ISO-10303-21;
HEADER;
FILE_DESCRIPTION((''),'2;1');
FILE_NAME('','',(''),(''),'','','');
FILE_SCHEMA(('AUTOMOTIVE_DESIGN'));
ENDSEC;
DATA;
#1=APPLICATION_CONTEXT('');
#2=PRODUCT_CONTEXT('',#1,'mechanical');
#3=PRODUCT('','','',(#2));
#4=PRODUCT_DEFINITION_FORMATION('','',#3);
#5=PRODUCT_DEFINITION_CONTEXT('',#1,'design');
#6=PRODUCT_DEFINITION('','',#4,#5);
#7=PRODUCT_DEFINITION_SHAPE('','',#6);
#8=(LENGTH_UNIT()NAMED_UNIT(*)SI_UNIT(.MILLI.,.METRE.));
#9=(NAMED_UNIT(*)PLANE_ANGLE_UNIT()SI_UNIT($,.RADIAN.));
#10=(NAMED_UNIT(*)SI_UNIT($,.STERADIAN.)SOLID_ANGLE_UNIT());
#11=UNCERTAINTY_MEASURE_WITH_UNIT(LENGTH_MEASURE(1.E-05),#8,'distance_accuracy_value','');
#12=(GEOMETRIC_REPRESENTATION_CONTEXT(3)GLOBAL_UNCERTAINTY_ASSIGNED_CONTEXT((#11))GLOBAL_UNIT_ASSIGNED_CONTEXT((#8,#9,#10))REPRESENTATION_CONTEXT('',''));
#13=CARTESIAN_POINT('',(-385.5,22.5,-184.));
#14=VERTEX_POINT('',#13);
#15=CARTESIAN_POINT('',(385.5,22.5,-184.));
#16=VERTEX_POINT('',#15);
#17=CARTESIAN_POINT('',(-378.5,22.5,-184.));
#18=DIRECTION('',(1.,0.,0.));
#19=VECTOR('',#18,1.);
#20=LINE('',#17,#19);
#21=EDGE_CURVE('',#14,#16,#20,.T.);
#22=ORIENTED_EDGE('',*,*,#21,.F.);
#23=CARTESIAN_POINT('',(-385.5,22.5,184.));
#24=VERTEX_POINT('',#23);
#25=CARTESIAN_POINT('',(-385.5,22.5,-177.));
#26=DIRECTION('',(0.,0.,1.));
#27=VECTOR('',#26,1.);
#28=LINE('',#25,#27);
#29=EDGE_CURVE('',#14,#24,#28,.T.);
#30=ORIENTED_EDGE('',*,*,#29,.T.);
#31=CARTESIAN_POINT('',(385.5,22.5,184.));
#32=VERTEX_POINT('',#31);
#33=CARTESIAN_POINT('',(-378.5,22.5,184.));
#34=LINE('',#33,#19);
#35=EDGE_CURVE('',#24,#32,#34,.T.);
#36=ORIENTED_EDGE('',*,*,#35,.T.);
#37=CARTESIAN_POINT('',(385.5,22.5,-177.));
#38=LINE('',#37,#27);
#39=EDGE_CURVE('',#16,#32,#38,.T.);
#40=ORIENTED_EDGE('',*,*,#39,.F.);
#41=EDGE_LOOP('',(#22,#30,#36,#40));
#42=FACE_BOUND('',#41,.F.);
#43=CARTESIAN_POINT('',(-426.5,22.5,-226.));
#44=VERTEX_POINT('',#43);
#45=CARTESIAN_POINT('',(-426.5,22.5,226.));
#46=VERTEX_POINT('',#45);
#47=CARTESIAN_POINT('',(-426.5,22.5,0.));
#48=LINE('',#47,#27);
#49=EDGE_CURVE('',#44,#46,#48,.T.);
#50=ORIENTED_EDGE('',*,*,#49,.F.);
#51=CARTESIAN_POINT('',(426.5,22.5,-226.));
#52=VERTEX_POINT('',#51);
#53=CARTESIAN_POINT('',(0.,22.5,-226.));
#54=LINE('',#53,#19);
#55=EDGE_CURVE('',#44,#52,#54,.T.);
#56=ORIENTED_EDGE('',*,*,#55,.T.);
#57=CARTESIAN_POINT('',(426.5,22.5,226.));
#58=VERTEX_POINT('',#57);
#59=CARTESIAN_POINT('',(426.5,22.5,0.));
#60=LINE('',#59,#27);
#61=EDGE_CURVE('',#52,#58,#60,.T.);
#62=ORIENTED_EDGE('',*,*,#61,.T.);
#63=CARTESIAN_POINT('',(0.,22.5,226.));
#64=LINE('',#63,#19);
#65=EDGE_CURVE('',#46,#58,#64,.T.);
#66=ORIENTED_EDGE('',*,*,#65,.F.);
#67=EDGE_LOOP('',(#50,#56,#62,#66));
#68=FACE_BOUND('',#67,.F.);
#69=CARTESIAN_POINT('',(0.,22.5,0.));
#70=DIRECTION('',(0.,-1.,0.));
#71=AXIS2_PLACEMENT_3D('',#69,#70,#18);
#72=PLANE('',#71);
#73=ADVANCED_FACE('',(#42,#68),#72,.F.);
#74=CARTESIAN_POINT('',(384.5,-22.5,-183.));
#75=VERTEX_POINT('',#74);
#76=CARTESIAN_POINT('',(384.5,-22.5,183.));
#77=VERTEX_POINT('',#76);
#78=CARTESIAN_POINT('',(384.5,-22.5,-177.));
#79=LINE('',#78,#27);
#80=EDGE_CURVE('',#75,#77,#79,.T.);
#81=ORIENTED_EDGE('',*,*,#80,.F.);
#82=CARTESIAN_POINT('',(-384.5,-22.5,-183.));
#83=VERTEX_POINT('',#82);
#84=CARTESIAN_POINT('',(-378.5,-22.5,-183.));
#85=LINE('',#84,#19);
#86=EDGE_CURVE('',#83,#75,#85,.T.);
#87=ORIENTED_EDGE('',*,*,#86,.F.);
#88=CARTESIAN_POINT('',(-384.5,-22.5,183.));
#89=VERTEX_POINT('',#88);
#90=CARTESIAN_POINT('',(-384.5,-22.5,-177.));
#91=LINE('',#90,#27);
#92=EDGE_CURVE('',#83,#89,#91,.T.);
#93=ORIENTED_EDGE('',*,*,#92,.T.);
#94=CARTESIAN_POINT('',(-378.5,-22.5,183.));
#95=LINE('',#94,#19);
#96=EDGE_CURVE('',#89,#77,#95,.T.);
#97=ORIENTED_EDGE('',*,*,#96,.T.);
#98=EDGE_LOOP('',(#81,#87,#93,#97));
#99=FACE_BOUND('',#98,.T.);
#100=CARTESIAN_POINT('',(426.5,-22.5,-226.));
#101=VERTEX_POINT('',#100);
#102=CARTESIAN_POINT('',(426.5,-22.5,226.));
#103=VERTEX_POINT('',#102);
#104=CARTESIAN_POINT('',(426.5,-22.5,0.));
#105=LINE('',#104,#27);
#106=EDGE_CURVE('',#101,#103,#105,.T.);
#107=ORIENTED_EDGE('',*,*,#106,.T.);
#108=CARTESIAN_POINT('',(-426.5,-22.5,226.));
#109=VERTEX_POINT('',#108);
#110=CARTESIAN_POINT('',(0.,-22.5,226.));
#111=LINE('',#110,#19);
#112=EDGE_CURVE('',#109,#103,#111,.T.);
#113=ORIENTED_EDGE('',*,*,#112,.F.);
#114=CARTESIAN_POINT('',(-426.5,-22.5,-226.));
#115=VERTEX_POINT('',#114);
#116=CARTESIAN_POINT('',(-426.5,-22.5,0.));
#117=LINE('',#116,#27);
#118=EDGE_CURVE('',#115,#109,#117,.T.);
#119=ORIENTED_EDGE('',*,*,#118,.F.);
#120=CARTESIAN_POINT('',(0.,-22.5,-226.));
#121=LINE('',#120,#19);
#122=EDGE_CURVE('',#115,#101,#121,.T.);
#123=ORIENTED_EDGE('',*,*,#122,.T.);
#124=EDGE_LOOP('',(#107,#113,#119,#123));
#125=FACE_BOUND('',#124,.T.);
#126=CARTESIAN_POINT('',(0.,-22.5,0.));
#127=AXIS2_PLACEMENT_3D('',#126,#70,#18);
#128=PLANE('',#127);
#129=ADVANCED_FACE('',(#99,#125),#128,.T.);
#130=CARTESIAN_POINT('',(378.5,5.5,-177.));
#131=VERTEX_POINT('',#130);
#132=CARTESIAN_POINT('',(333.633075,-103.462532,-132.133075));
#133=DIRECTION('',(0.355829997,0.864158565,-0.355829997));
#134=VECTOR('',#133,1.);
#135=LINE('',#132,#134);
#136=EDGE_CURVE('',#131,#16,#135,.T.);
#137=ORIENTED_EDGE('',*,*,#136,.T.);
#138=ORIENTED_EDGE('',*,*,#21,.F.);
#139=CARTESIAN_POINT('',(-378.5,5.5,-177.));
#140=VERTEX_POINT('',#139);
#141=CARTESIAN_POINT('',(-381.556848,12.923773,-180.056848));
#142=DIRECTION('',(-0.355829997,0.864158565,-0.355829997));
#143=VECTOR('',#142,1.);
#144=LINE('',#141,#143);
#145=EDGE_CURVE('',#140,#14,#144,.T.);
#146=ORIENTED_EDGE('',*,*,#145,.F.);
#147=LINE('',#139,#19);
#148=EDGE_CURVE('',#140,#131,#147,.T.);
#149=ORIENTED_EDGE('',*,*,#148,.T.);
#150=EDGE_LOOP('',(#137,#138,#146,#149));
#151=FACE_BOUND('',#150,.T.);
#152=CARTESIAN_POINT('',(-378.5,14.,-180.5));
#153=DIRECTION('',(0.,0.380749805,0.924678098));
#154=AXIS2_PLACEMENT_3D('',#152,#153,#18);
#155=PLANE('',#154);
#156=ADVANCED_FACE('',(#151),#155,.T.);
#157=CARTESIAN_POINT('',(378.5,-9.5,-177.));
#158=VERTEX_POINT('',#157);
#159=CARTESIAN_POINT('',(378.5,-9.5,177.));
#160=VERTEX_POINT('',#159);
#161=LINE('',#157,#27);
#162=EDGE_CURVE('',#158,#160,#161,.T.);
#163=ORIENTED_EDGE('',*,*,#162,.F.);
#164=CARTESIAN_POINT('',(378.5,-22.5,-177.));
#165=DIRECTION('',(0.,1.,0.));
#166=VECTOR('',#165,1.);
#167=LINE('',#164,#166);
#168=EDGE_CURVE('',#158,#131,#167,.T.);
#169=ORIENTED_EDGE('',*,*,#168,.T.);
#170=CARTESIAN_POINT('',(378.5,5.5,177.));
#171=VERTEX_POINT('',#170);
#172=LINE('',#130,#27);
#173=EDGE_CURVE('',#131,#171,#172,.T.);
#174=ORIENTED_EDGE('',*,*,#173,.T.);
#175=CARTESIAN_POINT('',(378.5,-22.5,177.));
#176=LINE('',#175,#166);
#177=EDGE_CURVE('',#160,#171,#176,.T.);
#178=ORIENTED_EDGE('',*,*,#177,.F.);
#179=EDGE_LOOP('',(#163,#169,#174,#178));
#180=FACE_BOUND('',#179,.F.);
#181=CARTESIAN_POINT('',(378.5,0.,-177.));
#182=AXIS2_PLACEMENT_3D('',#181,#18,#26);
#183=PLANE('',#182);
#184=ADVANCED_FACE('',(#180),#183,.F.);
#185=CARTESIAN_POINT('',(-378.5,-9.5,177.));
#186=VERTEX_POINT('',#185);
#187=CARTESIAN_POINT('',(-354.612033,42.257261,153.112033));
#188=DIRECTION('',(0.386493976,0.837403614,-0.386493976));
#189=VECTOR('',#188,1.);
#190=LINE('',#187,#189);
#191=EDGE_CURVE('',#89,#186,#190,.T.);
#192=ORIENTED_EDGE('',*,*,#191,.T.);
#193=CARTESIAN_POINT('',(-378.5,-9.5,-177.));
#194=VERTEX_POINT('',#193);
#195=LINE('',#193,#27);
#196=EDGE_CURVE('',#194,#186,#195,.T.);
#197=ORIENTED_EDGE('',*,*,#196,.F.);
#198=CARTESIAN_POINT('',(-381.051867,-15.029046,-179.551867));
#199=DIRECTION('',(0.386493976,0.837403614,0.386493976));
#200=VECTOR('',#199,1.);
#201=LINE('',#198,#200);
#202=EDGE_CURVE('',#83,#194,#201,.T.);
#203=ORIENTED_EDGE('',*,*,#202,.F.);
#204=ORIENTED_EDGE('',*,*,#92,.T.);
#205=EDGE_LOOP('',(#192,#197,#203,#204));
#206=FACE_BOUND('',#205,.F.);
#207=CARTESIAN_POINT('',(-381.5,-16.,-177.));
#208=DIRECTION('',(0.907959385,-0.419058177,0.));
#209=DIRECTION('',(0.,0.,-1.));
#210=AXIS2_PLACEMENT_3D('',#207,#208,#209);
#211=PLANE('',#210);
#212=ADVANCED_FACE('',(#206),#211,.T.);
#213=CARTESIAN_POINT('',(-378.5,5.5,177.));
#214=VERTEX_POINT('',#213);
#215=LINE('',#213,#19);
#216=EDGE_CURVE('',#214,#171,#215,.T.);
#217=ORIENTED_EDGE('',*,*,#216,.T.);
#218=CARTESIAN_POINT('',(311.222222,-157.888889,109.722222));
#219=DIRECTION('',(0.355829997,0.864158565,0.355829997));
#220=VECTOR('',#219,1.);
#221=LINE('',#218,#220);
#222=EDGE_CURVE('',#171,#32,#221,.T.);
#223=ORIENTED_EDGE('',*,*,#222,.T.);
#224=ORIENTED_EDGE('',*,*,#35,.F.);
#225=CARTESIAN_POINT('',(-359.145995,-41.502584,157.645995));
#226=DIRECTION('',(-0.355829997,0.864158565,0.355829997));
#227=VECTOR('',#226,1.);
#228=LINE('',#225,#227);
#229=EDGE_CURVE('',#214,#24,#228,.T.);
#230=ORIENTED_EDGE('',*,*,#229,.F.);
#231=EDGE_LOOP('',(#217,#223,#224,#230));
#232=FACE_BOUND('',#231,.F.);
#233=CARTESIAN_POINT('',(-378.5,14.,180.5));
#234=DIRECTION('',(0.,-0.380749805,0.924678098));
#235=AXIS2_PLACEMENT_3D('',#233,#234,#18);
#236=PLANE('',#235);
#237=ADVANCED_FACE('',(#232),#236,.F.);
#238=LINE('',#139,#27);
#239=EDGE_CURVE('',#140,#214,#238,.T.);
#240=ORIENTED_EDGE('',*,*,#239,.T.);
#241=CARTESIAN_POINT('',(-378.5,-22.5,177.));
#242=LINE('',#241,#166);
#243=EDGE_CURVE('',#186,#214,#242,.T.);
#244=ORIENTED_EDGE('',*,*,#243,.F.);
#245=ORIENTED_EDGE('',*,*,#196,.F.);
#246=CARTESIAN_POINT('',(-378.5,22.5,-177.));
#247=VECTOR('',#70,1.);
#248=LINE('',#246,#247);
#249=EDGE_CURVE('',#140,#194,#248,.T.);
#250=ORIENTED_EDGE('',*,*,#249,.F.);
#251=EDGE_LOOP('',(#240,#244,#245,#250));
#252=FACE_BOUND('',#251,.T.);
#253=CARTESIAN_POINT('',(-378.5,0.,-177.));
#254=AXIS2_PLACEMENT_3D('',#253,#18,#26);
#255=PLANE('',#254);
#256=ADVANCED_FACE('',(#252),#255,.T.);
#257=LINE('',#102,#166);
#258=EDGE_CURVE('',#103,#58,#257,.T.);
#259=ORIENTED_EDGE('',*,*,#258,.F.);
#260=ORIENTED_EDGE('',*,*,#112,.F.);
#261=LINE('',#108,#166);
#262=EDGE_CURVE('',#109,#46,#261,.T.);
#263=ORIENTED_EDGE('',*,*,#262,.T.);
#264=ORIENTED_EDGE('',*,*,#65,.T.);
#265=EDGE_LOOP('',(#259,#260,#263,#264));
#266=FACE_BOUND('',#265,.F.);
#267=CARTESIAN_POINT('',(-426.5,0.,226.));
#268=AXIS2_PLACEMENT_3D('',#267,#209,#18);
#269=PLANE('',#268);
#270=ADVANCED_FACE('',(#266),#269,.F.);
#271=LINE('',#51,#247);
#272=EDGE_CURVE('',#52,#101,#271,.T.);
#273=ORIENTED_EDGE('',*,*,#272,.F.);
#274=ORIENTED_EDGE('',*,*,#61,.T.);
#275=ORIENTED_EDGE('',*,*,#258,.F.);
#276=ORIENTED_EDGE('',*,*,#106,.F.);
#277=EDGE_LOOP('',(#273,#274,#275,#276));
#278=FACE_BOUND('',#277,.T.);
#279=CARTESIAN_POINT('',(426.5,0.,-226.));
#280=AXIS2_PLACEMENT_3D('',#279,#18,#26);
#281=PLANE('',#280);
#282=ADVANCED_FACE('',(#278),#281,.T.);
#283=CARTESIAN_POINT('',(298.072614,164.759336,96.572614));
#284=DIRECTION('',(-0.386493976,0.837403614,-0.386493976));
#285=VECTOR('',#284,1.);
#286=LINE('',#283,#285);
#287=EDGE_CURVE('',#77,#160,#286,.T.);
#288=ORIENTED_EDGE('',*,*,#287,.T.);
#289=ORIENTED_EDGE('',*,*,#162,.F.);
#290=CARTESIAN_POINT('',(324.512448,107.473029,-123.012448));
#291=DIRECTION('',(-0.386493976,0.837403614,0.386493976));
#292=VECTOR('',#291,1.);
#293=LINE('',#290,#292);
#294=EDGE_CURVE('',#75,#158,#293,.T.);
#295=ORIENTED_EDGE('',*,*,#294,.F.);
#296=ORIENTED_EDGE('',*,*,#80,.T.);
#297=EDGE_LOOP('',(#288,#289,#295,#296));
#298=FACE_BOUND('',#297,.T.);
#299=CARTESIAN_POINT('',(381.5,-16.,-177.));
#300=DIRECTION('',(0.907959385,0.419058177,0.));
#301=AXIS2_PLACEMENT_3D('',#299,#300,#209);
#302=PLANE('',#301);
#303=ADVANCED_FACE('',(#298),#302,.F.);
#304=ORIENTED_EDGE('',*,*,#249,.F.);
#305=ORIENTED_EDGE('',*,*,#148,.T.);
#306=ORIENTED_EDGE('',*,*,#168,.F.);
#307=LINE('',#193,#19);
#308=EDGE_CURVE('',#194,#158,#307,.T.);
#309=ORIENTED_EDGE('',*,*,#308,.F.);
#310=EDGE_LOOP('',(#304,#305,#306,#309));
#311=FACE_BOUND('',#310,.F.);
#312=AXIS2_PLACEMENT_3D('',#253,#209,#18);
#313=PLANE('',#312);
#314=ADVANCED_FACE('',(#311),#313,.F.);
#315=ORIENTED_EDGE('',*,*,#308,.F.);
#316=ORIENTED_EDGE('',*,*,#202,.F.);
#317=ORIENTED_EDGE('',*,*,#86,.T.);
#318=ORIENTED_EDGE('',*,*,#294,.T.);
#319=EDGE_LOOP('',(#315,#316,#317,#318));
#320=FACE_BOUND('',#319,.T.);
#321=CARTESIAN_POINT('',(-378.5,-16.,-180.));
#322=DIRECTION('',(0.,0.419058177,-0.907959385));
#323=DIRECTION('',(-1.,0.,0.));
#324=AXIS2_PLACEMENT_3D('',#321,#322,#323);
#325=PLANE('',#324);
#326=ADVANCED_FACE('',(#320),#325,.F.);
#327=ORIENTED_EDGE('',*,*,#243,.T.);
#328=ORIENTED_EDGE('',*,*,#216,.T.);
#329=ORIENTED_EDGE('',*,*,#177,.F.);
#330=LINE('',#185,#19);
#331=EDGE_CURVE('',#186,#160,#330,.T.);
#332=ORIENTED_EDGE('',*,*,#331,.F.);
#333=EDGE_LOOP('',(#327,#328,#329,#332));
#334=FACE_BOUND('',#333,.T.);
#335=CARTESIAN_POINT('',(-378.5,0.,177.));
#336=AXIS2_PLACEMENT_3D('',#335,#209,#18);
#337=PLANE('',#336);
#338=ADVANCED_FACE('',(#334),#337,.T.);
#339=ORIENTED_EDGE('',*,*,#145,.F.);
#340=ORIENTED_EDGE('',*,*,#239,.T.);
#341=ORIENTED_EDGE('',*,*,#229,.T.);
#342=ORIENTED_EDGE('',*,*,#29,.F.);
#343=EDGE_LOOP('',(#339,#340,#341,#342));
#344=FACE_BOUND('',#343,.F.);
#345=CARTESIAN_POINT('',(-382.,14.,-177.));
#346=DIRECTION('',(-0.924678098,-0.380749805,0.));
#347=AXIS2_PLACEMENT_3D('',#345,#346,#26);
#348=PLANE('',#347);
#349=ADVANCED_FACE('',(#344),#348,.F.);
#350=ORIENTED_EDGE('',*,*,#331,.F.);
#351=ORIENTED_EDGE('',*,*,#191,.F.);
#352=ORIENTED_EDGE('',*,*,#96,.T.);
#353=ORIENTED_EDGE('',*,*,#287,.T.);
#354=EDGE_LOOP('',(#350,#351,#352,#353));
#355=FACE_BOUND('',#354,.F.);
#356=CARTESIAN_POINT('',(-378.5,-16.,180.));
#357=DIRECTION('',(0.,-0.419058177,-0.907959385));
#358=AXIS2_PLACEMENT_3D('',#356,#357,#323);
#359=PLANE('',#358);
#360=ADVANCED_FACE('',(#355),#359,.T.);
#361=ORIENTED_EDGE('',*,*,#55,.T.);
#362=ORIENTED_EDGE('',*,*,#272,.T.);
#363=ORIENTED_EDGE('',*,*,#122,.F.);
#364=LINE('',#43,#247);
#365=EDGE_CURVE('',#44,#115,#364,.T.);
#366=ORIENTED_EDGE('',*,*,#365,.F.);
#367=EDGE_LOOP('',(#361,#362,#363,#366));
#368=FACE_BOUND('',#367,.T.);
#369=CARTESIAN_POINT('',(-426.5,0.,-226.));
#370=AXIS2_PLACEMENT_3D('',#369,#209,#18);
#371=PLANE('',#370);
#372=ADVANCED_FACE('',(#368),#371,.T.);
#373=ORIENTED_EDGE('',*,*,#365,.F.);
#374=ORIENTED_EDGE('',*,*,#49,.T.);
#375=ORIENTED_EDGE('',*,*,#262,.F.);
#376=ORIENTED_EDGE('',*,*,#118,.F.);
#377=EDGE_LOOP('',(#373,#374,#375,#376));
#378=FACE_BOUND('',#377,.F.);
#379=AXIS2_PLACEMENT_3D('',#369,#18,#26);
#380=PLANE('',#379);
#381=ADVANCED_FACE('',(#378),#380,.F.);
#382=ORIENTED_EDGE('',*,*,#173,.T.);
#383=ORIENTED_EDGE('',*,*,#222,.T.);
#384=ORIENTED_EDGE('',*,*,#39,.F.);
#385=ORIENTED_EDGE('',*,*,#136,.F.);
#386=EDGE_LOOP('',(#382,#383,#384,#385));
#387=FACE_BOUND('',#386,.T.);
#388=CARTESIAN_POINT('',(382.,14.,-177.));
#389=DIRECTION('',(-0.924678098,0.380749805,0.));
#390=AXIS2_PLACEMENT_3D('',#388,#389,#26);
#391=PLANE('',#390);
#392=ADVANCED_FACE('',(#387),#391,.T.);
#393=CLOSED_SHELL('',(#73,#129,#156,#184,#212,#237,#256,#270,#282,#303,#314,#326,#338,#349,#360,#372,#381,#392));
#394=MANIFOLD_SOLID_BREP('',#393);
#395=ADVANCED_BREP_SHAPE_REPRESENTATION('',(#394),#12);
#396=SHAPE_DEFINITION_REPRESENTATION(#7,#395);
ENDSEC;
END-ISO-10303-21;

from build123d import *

# Parameters (mm, degrees)
F0_W     = 853
F0_H     = 452
F0_W_2   = 757
F0_H_2   = 354
F1_DEPTH = 22.5
F2_SIZE2 = 13
F2_SIZE  = 6
F3_SIZE2 = 7
F3_SIZE  = 17


with BuildPart() as f1:
    # F0 (on Front) → F1 (new body, symmetric)
    with BuildSketch(Plane.XZ):
        Rectangle(F0_W, F0_H)
        Rectangle(F0_W_2, F0_H_2, mode=Mode.SUBTRACT)
    extrude(amount=F1_DEPTH, both=True)

    # F2
    f2_edges = [f1.edges().sort_by_distance(p)[0] for p in [
        (0, -22.5, -177),
        (-378.5, -22.5, 0),
        (378.5, -22.5, 0),
        (0, -22.5, 177),
    ]]
    chamfer(f2_edges, length=F2_SIZE, length2=F2_SIZE2)

    # F3
    f3_edges = [f1.edges().sort_by_distance(p)[0] for p in [
        (0, 22.5, -177),
        (-378.5, 22.5, 0),
        (0, 22.5, 177),
        (378.5, 22.5, 0),
    ]]
    chamfer(f3_edges, length=F3_SIZE, length2=F3_SIZE2)


solid = f1.part
